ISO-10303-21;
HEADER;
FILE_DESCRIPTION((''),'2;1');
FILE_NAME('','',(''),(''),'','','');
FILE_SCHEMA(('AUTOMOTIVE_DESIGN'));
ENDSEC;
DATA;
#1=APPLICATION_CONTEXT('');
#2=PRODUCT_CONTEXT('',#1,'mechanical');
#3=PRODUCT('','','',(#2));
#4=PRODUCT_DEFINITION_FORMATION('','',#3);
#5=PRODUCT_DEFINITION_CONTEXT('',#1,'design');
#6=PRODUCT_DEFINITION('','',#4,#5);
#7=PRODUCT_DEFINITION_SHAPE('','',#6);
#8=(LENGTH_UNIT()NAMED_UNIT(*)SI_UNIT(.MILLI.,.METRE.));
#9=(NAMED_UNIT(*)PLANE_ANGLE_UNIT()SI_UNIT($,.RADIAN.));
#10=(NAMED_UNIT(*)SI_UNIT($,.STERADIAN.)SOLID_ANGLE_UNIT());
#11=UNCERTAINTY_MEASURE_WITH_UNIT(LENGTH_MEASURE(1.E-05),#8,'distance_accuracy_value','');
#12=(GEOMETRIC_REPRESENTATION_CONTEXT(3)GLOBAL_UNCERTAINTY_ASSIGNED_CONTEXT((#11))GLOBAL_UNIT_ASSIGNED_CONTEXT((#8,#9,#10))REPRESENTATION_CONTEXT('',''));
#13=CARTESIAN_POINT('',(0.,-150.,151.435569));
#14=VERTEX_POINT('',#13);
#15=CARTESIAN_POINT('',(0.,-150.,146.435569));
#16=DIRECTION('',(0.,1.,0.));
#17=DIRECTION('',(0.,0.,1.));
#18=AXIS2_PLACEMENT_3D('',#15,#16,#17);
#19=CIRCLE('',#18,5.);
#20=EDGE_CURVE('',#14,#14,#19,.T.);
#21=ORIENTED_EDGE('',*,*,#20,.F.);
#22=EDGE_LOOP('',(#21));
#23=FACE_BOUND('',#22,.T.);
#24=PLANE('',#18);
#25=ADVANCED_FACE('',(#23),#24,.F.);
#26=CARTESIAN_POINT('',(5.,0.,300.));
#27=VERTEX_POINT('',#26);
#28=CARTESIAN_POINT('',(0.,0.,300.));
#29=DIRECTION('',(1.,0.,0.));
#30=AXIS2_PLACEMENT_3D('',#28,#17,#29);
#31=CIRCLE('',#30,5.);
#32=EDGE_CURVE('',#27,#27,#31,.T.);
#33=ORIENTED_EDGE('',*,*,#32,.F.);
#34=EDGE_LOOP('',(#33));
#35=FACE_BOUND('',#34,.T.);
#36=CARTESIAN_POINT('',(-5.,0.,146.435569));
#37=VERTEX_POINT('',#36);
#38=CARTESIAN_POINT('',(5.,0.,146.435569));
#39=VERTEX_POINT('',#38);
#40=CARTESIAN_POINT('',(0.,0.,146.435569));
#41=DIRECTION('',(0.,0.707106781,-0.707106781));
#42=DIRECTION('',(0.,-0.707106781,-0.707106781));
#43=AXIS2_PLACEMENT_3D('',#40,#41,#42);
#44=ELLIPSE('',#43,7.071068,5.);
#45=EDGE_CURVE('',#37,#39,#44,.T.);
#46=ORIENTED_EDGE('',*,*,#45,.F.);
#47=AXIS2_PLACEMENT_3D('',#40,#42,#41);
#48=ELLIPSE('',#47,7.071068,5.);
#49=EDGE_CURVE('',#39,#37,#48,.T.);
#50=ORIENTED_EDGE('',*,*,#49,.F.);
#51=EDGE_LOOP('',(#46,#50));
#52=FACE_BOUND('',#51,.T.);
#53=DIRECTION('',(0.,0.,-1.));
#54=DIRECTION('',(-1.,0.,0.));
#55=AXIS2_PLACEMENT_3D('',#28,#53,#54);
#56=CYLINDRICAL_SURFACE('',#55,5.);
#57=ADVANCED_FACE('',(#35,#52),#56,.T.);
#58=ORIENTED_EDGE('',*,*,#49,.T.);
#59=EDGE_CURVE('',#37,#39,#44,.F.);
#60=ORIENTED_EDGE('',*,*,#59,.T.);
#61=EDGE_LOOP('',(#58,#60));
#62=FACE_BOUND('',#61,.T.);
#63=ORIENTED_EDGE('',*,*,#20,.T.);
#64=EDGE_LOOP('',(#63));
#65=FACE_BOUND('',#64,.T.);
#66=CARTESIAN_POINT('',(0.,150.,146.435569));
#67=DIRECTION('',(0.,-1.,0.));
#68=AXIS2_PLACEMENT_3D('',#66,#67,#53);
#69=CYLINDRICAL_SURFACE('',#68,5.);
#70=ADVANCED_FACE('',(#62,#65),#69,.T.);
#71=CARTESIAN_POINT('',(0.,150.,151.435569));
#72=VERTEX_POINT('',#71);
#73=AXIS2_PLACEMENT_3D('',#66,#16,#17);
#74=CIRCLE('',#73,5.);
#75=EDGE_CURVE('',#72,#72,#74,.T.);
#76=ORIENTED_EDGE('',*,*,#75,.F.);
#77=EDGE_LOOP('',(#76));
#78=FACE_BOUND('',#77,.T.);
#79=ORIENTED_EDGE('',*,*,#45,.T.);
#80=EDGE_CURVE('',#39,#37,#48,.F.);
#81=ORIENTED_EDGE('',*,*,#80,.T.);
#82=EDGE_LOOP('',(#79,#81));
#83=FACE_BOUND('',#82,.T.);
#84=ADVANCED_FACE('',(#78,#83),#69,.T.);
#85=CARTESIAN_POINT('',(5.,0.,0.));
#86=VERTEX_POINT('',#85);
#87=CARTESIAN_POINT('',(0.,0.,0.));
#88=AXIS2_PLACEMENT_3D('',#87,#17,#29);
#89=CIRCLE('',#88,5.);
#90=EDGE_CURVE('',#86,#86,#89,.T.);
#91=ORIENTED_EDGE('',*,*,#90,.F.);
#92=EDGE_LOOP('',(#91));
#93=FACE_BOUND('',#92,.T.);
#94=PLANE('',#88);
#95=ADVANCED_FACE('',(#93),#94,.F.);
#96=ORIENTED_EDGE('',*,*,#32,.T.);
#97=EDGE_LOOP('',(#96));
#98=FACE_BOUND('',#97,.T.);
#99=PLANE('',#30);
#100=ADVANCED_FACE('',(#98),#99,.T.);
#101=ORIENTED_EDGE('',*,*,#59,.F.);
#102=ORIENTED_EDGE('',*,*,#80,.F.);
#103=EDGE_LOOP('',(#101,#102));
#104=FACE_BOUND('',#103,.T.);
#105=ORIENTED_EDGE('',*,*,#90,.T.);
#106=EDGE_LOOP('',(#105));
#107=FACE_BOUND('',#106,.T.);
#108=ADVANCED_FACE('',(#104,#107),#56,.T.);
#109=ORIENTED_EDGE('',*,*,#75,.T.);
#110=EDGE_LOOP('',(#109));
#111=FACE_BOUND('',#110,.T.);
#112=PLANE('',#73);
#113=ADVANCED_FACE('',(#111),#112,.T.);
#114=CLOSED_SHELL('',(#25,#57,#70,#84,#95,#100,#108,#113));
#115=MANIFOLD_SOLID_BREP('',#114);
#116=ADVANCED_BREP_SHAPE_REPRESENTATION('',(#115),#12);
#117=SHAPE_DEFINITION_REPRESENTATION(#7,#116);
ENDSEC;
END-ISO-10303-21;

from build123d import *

# Parameters (mm, degrees)
SKETCH1_R           = 5
BOSS_EXTRUDE1_DEPTH = 300
SKETCH2_R           = 5
BOSS_EXTRUDE2_DEPTH = 150


with BuildPart() as part:
    # Sketch1 → Boss-Extrude1 (new body)
    with BuildSketch(Plane.XY):
        Circle(SKETCH1_R)
    extrude(amount=BOSS_EXTRUDE1_DEPTH)

    # Sketch2 → Boss-Extrude2 (add, symmetric)
    with BuildSketch(Plane(origin=(0, 0, 0), x_dir=(1, 0, 0), z_dir=(0, 1, 0))):
        with Locations((0, -146.435568709)):
            Circle(SKETCH2_R)
    extrude(amount=BOSS_EXTRUDE2_DEPTH, both=True)


solid = part.part
